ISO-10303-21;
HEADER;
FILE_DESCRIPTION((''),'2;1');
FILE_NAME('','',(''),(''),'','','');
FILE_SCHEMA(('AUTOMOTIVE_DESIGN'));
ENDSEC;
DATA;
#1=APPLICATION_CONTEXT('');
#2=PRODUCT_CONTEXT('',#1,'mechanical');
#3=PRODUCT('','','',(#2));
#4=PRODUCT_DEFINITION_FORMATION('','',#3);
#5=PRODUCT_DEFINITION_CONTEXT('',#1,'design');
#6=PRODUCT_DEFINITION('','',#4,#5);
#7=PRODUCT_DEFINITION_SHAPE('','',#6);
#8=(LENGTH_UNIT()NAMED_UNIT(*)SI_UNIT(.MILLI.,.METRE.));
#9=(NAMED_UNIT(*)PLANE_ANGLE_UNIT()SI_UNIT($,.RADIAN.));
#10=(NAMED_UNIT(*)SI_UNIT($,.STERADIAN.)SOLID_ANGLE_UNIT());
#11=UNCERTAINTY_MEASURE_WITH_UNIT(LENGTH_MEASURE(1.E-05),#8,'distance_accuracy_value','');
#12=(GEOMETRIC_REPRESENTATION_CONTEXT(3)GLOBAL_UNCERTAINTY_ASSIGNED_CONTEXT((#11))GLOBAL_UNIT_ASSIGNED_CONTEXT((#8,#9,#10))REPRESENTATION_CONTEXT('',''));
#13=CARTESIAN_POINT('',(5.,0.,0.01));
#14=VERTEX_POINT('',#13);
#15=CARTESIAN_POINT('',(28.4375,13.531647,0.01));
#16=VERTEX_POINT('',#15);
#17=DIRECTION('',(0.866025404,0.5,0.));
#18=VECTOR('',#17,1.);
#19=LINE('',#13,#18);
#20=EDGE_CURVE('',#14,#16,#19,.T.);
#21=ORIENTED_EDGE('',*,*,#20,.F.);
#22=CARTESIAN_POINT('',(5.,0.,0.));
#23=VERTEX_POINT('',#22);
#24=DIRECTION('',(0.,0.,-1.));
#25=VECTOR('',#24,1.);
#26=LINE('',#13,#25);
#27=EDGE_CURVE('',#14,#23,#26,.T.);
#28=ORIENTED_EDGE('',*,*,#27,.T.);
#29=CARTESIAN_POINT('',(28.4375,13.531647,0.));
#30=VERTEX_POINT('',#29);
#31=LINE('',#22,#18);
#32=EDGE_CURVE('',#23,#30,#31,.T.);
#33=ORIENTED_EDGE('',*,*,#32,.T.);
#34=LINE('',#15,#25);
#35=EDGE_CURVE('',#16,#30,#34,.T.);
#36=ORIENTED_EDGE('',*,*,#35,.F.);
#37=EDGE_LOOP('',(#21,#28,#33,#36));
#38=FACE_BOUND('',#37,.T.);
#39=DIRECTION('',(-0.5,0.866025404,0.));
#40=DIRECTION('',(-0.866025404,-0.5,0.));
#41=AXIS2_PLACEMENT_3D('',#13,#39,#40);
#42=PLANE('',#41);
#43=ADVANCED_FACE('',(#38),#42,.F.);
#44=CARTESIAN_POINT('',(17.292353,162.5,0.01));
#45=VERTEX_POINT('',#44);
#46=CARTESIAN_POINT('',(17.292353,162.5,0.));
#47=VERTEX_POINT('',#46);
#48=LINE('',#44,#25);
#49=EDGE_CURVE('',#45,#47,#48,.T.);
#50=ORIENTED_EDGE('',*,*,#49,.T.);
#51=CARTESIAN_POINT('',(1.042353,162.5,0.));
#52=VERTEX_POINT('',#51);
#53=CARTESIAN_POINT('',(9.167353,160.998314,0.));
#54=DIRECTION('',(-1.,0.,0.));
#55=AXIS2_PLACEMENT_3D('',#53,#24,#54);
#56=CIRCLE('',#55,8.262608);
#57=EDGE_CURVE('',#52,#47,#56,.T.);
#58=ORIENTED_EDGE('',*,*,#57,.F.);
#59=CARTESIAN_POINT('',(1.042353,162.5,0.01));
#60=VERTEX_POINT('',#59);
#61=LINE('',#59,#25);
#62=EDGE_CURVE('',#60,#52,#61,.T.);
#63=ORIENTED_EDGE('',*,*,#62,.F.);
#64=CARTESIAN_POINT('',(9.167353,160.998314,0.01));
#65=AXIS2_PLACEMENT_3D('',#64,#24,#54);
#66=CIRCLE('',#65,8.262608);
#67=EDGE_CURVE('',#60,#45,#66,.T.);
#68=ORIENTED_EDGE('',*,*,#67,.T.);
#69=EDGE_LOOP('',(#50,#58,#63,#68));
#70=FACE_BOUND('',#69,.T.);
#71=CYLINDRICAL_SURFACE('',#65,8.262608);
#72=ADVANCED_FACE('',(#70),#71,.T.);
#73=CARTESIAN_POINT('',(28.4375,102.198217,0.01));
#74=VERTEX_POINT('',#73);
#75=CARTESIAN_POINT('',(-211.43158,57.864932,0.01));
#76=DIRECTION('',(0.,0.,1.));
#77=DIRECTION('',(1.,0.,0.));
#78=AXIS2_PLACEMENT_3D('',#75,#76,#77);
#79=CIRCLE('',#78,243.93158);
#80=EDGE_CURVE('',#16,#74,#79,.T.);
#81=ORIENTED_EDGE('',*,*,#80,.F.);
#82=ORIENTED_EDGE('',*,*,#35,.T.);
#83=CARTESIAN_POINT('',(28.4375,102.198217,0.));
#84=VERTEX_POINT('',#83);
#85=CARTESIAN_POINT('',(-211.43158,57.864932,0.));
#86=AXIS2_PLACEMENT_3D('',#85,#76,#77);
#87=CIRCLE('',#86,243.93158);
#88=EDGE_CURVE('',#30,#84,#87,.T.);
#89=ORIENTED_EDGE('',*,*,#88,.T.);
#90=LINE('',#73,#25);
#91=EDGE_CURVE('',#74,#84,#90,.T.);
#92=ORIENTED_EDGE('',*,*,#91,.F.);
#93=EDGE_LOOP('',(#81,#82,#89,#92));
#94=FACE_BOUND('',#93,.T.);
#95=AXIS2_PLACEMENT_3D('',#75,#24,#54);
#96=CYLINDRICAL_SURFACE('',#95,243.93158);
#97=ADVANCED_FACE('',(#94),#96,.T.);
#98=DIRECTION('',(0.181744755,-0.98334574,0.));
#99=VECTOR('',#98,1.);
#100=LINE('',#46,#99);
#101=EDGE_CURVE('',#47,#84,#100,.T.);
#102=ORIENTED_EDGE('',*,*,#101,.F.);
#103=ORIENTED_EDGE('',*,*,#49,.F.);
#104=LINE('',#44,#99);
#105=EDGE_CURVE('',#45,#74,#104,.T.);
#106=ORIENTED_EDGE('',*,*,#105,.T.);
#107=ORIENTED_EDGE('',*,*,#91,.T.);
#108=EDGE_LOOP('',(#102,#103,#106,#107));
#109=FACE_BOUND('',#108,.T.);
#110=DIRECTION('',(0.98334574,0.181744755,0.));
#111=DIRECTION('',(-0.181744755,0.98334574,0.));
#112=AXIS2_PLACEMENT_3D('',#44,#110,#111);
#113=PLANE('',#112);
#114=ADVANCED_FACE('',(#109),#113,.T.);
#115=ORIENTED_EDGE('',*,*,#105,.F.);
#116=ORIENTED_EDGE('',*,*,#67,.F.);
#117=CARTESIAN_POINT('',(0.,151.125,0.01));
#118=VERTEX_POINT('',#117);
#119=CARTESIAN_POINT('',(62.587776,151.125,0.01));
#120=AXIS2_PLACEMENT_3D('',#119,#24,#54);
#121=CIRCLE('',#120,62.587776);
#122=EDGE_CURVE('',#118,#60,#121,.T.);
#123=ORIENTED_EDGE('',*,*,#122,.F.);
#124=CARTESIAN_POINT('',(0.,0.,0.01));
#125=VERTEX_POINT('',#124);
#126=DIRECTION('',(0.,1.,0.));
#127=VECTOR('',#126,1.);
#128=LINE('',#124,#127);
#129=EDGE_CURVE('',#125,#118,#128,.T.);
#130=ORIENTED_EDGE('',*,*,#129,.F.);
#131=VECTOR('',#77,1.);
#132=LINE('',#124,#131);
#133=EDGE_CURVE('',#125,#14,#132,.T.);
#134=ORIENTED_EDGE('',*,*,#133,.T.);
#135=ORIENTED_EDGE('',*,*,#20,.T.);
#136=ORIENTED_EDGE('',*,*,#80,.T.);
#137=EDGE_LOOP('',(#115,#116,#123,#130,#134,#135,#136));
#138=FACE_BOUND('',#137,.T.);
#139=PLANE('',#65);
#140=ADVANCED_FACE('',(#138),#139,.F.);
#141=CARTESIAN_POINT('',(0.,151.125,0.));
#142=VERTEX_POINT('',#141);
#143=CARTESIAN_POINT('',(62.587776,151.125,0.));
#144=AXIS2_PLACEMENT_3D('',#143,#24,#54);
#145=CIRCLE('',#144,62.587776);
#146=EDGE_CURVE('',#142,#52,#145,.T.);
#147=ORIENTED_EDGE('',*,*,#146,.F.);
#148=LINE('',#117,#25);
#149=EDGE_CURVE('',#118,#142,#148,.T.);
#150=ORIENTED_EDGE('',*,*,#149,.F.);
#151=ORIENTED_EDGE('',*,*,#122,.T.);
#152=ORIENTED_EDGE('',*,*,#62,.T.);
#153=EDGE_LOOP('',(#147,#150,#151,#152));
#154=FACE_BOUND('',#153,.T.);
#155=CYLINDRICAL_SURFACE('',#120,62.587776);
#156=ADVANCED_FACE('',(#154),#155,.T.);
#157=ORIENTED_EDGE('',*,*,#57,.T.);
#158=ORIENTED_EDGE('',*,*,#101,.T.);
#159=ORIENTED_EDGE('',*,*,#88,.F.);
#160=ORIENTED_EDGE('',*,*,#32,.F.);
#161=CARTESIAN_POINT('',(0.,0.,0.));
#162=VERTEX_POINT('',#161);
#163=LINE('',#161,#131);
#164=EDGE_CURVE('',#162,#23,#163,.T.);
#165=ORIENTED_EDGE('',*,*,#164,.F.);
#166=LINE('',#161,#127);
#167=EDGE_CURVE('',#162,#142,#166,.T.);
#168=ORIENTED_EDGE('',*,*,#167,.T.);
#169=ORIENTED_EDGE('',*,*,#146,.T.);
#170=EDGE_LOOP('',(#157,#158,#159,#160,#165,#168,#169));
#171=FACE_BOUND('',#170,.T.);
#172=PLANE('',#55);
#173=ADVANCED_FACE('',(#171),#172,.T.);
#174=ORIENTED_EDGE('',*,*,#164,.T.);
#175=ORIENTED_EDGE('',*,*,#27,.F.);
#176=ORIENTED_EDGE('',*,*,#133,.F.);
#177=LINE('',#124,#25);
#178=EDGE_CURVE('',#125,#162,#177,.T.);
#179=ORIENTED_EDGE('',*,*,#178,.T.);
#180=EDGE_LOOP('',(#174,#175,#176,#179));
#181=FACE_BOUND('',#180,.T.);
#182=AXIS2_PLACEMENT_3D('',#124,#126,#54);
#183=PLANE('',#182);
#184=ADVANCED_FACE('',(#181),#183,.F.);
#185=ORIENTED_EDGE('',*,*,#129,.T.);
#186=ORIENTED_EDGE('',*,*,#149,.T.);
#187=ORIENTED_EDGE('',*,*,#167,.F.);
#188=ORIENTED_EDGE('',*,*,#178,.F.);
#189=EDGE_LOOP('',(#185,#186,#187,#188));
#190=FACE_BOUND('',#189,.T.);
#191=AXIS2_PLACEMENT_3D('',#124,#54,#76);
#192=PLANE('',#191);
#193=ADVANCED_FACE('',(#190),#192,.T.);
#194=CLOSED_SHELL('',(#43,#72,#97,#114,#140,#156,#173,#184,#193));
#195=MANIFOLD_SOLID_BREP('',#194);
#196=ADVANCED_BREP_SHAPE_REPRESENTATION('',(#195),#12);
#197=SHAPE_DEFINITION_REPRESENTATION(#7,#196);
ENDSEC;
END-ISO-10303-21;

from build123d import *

# Parameters (mm, degrees)
BOSS_EXTRUDE1_DEPTH = 0.01


with BuildPart() as part:
    # Sketch1 → Boss-Extrude1 (new body)
    with BuildSketch(Plane(origin=(0, 0, 0), x_dir=(0, 1, 0), z_dir=(0, 0, 1))):
        with BuildLine():
            Line((0, 0), (151.125, 0))
            ThreePointArc((151.125, 0), (156.836329202, -0.261133035), (162.5, -1.042353105))
            ThreePointArc((162.5, -1.042353105), (169.260922019, -9.167353105), (162.5, -17.292353105))
            Line((162.5, -17.292353105), (102.198217376, -28.4375))
            ThreePointArc((102.198217376, -28.4375), (57.864932155, -32.5), (13.531646934, -28.4375))
            Line((13.531646934, -28.4375), (0, -5))
            Line((0, -5), (0, 0))
        make_face()
    extrude(amount=BOSS_EXTRUDE1_DEPTH)


solid = part.part
